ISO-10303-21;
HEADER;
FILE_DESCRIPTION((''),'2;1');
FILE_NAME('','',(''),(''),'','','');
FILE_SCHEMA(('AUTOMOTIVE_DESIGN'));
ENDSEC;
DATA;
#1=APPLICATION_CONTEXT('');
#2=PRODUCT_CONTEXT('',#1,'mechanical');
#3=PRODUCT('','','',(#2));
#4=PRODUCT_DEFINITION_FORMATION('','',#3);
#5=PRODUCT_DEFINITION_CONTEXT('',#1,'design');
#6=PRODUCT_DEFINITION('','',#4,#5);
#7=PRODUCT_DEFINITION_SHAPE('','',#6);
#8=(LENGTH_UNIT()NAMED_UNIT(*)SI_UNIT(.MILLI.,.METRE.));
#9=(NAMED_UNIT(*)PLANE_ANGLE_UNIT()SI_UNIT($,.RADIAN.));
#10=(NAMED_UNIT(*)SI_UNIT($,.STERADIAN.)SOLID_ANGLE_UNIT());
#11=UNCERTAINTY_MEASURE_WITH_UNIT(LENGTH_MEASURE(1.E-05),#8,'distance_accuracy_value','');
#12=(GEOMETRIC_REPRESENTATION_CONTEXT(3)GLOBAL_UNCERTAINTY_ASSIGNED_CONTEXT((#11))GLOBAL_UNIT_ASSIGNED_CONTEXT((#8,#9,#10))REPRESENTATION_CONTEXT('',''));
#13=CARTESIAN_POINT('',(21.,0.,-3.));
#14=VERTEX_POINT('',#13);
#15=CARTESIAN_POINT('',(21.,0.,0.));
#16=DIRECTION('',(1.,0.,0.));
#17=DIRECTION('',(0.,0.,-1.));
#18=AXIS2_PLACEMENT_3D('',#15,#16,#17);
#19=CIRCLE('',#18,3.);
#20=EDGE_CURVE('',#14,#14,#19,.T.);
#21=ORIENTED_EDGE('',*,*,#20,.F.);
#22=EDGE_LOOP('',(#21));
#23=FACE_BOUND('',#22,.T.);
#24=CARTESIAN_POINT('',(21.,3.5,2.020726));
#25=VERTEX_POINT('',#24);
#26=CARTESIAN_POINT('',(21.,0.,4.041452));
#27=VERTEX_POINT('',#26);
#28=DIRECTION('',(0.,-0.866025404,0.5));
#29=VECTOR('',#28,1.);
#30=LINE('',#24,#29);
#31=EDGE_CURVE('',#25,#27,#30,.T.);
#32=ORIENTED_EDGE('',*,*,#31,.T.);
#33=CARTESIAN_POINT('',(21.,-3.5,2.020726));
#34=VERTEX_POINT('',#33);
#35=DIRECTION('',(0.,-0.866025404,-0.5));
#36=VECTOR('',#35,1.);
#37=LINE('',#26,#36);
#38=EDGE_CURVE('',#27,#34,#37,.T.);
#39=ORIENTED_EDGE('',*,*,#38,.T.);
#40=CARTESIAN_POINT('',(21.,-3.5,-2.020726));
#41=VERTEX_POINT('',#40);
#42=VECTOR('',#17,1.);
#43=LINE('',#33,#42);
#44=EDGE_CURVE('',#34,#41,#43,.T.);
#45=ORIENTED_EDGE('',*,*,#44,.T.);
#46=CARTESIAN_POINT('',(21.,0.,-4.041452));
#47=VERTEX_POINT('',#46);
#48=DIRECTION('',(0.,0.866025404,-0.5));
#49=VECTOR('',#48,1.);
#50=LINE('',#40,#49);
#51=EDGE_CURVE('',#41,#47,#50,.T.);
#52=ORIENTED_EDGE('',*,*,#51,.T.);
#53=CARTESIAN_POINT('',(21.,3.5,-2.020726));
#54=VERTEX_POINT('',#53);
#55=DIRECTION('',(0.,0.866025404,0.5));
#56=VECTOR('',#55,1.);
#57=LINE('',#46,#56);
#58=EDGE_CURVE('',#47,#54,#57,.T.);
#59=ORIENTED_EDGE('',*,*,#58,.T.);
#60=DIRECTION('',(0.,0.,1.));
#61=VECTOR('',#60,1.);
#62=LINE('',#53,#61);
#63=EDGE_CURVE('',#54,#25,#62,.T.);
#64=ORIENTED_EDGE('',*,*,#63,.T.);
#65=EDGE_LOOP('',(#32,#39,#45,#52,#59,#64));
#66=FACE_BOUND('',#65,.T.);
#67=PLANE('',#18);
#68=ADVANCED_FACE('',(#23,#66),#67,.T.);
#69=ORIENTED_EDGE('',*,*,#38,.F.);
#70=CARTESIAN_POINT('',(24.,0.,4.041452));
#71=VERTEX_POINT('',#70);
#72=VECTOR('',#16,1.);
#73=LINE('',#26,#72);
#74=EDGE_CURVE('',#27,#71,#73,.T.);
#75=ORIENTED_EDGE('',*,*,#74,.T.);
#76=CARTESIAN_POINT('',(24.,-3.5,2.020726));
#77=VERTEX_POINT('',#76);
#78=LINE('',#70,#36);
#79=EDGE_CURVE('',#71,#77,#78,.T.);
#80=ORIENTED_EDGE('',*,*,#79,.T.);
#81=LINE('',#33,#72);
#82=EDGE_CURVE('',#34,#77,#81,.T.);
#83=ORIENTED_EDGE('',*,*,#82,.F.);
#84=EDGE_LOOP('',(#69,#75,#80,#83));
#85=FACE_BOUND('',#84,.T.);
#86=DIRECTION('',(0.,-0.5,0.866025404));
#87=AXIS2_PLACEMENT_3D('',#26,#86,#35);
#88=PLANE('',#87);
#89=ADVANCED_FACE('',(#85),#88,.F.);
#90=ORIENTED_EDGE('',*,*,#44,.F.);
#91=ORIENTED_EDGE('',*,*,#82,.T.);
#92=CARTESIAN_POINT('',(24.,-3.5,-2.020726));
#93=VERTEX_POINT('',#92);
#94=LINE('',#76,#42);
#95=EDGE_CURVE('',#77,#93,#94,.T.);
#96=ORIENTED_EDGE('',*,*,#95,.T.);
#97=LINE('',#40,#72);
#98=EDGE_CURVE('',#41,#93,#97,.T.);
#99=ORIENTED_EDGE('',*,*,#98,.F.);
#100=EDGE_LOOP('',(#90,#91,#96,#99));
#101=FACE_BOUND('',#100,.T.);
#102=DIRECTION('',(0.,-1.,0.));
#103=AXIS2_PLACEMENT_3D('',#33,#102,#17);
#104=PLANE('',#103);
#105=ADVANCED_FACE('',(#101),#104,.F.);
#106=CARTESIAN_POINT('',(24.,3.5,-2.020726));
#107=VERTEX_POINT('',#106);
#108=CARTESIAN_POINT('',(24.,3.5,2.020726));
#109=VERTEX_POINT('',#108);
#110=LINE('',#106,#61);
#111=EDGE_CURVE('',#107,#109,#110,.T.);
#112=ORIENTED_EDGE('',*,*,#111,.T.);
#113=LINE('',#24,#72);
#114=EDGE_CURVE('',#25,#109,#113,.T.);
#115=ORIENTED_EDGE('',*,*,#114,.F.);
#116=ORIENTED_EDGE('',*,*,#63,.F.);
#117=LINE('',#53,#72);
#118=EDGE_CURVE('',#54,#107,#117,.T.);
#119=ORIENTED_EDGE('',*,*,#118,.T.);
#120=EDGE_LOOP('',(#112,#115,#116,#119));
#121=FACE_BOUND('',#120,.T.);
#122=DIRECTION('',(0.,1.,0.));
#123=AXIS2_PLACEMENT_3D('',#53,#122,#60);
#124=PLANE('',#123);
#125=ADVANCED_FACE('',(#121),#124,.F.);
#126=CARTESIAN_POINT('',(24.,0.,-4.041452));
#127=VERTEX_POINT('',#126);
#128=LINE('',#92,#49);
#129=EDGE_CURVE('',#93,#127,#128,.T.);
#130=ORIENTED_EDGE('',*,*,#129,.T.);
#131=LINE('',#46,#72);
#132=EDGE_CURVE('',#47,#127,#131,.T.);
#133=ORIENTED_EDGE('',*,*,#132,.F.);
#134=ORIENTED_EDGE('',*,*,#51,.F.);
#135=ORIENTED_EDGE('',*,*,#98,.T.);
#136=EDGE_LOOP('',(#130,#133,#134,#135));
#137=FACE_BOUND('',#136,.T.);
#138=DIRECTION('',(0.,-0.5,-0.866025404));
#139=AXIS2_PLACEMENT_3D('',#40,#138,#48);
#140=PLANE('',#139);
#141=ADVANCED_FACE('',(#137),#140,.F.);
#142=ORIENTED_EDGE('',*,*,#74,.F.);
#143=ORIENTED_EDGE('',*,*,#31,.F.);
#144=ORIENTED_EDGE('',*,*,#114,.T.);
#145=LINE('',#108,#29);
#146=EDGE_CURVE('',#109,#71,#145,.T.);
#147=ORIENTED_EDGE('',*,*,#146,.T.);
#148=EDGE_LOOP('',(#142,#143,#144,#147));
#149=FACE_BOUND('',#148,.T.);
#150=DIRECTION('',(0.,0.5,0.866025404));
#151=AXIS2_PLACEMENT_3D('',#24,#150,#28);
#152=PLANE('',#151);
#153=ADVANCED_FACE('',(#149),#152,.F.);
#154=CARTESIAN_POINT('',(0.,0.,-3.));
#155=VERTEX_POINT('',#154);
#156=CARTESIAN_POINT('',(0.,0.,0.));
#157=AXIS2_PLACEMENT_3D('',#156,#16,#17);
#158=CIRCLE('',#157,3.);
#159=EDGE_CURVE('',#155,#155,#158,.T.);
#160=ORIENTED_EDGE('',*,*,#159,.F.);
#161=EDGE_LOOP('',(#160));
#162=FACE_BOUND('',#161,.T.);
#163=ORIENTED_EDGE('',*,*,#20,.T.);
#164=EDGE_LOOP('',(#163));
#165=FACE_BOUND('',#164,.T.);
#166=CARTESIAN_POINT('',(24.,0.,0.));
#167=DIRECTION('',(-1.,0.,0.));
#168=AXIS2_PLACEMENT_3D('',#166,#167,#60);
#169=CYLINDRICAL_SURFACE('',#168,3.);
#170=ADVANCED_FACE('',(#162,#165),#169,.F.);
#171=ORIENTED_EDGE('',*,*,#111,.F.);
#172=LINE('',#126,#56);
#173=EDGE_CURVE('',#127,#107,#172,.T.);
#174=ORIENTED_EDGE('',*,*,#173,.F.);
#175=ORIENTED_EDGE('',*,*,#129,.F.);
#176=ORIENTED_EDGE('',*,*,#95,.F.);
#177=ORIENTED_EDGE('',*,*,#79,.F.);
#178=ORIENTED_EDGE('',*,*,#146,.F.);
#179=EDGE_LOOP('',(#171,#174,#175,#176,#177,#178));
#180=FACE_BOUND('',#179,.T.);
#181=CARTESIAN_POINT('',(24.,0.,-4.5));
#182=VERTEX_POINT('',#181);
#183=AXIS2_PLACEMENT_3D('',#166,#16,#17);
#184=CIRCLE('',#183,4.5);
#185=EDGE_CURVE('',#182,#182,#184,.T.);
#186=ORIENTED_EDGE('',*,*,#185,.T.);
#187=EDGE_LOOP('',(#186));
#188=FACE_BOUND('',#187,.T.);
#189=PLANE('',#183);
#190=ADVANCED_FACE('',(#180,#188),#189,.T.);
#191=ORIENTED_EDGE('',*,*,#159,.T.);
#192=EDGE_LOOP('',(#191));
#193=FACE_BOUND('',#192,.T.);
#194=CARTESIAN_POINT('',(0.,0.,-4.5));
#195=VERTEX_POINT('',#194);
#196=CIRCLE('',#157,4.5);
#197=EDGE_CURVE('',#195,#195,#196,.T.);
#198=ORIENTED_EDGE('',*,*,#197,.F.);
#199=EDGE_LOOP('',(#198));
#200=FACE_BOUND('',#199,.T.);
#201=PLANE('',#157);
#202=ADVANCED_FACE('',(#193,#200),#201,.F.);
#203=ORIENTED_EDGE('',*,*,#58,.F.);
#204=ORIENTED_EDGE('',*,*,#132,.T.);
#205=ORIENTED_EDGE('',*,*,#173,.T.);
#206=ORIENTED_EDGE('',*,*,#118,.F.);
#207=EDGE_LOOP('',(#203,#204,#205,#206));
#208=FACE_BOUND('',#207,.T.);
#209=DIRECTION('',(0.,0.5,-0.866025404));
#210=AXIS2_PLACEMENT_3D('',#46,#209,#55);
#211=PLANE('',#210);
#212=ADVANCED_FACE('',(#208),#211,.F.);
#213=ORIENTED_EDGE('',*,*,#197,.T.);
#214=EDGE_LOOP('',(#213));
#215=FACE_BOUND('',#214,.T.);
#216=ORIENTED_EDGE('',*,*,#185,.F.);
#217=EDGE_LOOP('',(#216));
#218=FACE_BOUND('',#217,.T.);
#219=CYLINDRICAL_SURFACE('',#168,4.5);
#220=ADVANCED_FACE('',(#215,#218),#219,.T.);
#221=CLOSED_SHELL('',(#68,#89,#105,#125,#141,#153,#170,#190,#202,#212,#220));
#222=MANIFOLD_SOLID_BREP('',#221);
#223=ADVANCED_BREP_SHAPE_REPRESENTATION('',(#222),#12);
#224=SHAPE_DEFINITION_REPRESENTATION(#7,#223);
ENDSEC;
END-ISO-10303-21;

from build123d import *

# Parameters (mm, degrees)
SZKIC1_R                    = 4.5
SZKIC1_R_2                  = 3
DODANIE_WYCI_GNI_CIE1_DEPTH = 24
WYTNIJ_WYCI_GNI_CIE1_DEPTH  = 3


with BuildPart() as part:
    # Szkic1 → Dodanie-wyciągnięcie1 (new body)
    with BuildSketch(Plane(origin=(0, 0, 0), x_dir=(0, 0, -1), z_dir=(1, 0, 0))):
        Circle(SZKIC1_R)
        Circle(SZKIC1_R_2, mode=Mode.SUBTRACT)
    extrude(amount=DODANIE_WYCI_GNI_CIE1_DEPTH)

    # Szkic2 → Wytnij-wyciągnięcie1 (cut)
    with BuildSketch(Plane(origin=(24, 0, 0), x_dir=(0, 0, -1), z_dir=(1, 0, 0))):
        Polygon((4.041451884, 0), (2.020725942, 3.5), (-2.020725942, 3.5), (-4.041451884, 0), (-2.020725942, -3.5), (2.020725942, -3.5), align=None)
    extrude(amount=-WYTNIJ_WYCI_GNI_CIE1_DEPTH, mode=Mode.SUBTRACT)


solid = part.part
